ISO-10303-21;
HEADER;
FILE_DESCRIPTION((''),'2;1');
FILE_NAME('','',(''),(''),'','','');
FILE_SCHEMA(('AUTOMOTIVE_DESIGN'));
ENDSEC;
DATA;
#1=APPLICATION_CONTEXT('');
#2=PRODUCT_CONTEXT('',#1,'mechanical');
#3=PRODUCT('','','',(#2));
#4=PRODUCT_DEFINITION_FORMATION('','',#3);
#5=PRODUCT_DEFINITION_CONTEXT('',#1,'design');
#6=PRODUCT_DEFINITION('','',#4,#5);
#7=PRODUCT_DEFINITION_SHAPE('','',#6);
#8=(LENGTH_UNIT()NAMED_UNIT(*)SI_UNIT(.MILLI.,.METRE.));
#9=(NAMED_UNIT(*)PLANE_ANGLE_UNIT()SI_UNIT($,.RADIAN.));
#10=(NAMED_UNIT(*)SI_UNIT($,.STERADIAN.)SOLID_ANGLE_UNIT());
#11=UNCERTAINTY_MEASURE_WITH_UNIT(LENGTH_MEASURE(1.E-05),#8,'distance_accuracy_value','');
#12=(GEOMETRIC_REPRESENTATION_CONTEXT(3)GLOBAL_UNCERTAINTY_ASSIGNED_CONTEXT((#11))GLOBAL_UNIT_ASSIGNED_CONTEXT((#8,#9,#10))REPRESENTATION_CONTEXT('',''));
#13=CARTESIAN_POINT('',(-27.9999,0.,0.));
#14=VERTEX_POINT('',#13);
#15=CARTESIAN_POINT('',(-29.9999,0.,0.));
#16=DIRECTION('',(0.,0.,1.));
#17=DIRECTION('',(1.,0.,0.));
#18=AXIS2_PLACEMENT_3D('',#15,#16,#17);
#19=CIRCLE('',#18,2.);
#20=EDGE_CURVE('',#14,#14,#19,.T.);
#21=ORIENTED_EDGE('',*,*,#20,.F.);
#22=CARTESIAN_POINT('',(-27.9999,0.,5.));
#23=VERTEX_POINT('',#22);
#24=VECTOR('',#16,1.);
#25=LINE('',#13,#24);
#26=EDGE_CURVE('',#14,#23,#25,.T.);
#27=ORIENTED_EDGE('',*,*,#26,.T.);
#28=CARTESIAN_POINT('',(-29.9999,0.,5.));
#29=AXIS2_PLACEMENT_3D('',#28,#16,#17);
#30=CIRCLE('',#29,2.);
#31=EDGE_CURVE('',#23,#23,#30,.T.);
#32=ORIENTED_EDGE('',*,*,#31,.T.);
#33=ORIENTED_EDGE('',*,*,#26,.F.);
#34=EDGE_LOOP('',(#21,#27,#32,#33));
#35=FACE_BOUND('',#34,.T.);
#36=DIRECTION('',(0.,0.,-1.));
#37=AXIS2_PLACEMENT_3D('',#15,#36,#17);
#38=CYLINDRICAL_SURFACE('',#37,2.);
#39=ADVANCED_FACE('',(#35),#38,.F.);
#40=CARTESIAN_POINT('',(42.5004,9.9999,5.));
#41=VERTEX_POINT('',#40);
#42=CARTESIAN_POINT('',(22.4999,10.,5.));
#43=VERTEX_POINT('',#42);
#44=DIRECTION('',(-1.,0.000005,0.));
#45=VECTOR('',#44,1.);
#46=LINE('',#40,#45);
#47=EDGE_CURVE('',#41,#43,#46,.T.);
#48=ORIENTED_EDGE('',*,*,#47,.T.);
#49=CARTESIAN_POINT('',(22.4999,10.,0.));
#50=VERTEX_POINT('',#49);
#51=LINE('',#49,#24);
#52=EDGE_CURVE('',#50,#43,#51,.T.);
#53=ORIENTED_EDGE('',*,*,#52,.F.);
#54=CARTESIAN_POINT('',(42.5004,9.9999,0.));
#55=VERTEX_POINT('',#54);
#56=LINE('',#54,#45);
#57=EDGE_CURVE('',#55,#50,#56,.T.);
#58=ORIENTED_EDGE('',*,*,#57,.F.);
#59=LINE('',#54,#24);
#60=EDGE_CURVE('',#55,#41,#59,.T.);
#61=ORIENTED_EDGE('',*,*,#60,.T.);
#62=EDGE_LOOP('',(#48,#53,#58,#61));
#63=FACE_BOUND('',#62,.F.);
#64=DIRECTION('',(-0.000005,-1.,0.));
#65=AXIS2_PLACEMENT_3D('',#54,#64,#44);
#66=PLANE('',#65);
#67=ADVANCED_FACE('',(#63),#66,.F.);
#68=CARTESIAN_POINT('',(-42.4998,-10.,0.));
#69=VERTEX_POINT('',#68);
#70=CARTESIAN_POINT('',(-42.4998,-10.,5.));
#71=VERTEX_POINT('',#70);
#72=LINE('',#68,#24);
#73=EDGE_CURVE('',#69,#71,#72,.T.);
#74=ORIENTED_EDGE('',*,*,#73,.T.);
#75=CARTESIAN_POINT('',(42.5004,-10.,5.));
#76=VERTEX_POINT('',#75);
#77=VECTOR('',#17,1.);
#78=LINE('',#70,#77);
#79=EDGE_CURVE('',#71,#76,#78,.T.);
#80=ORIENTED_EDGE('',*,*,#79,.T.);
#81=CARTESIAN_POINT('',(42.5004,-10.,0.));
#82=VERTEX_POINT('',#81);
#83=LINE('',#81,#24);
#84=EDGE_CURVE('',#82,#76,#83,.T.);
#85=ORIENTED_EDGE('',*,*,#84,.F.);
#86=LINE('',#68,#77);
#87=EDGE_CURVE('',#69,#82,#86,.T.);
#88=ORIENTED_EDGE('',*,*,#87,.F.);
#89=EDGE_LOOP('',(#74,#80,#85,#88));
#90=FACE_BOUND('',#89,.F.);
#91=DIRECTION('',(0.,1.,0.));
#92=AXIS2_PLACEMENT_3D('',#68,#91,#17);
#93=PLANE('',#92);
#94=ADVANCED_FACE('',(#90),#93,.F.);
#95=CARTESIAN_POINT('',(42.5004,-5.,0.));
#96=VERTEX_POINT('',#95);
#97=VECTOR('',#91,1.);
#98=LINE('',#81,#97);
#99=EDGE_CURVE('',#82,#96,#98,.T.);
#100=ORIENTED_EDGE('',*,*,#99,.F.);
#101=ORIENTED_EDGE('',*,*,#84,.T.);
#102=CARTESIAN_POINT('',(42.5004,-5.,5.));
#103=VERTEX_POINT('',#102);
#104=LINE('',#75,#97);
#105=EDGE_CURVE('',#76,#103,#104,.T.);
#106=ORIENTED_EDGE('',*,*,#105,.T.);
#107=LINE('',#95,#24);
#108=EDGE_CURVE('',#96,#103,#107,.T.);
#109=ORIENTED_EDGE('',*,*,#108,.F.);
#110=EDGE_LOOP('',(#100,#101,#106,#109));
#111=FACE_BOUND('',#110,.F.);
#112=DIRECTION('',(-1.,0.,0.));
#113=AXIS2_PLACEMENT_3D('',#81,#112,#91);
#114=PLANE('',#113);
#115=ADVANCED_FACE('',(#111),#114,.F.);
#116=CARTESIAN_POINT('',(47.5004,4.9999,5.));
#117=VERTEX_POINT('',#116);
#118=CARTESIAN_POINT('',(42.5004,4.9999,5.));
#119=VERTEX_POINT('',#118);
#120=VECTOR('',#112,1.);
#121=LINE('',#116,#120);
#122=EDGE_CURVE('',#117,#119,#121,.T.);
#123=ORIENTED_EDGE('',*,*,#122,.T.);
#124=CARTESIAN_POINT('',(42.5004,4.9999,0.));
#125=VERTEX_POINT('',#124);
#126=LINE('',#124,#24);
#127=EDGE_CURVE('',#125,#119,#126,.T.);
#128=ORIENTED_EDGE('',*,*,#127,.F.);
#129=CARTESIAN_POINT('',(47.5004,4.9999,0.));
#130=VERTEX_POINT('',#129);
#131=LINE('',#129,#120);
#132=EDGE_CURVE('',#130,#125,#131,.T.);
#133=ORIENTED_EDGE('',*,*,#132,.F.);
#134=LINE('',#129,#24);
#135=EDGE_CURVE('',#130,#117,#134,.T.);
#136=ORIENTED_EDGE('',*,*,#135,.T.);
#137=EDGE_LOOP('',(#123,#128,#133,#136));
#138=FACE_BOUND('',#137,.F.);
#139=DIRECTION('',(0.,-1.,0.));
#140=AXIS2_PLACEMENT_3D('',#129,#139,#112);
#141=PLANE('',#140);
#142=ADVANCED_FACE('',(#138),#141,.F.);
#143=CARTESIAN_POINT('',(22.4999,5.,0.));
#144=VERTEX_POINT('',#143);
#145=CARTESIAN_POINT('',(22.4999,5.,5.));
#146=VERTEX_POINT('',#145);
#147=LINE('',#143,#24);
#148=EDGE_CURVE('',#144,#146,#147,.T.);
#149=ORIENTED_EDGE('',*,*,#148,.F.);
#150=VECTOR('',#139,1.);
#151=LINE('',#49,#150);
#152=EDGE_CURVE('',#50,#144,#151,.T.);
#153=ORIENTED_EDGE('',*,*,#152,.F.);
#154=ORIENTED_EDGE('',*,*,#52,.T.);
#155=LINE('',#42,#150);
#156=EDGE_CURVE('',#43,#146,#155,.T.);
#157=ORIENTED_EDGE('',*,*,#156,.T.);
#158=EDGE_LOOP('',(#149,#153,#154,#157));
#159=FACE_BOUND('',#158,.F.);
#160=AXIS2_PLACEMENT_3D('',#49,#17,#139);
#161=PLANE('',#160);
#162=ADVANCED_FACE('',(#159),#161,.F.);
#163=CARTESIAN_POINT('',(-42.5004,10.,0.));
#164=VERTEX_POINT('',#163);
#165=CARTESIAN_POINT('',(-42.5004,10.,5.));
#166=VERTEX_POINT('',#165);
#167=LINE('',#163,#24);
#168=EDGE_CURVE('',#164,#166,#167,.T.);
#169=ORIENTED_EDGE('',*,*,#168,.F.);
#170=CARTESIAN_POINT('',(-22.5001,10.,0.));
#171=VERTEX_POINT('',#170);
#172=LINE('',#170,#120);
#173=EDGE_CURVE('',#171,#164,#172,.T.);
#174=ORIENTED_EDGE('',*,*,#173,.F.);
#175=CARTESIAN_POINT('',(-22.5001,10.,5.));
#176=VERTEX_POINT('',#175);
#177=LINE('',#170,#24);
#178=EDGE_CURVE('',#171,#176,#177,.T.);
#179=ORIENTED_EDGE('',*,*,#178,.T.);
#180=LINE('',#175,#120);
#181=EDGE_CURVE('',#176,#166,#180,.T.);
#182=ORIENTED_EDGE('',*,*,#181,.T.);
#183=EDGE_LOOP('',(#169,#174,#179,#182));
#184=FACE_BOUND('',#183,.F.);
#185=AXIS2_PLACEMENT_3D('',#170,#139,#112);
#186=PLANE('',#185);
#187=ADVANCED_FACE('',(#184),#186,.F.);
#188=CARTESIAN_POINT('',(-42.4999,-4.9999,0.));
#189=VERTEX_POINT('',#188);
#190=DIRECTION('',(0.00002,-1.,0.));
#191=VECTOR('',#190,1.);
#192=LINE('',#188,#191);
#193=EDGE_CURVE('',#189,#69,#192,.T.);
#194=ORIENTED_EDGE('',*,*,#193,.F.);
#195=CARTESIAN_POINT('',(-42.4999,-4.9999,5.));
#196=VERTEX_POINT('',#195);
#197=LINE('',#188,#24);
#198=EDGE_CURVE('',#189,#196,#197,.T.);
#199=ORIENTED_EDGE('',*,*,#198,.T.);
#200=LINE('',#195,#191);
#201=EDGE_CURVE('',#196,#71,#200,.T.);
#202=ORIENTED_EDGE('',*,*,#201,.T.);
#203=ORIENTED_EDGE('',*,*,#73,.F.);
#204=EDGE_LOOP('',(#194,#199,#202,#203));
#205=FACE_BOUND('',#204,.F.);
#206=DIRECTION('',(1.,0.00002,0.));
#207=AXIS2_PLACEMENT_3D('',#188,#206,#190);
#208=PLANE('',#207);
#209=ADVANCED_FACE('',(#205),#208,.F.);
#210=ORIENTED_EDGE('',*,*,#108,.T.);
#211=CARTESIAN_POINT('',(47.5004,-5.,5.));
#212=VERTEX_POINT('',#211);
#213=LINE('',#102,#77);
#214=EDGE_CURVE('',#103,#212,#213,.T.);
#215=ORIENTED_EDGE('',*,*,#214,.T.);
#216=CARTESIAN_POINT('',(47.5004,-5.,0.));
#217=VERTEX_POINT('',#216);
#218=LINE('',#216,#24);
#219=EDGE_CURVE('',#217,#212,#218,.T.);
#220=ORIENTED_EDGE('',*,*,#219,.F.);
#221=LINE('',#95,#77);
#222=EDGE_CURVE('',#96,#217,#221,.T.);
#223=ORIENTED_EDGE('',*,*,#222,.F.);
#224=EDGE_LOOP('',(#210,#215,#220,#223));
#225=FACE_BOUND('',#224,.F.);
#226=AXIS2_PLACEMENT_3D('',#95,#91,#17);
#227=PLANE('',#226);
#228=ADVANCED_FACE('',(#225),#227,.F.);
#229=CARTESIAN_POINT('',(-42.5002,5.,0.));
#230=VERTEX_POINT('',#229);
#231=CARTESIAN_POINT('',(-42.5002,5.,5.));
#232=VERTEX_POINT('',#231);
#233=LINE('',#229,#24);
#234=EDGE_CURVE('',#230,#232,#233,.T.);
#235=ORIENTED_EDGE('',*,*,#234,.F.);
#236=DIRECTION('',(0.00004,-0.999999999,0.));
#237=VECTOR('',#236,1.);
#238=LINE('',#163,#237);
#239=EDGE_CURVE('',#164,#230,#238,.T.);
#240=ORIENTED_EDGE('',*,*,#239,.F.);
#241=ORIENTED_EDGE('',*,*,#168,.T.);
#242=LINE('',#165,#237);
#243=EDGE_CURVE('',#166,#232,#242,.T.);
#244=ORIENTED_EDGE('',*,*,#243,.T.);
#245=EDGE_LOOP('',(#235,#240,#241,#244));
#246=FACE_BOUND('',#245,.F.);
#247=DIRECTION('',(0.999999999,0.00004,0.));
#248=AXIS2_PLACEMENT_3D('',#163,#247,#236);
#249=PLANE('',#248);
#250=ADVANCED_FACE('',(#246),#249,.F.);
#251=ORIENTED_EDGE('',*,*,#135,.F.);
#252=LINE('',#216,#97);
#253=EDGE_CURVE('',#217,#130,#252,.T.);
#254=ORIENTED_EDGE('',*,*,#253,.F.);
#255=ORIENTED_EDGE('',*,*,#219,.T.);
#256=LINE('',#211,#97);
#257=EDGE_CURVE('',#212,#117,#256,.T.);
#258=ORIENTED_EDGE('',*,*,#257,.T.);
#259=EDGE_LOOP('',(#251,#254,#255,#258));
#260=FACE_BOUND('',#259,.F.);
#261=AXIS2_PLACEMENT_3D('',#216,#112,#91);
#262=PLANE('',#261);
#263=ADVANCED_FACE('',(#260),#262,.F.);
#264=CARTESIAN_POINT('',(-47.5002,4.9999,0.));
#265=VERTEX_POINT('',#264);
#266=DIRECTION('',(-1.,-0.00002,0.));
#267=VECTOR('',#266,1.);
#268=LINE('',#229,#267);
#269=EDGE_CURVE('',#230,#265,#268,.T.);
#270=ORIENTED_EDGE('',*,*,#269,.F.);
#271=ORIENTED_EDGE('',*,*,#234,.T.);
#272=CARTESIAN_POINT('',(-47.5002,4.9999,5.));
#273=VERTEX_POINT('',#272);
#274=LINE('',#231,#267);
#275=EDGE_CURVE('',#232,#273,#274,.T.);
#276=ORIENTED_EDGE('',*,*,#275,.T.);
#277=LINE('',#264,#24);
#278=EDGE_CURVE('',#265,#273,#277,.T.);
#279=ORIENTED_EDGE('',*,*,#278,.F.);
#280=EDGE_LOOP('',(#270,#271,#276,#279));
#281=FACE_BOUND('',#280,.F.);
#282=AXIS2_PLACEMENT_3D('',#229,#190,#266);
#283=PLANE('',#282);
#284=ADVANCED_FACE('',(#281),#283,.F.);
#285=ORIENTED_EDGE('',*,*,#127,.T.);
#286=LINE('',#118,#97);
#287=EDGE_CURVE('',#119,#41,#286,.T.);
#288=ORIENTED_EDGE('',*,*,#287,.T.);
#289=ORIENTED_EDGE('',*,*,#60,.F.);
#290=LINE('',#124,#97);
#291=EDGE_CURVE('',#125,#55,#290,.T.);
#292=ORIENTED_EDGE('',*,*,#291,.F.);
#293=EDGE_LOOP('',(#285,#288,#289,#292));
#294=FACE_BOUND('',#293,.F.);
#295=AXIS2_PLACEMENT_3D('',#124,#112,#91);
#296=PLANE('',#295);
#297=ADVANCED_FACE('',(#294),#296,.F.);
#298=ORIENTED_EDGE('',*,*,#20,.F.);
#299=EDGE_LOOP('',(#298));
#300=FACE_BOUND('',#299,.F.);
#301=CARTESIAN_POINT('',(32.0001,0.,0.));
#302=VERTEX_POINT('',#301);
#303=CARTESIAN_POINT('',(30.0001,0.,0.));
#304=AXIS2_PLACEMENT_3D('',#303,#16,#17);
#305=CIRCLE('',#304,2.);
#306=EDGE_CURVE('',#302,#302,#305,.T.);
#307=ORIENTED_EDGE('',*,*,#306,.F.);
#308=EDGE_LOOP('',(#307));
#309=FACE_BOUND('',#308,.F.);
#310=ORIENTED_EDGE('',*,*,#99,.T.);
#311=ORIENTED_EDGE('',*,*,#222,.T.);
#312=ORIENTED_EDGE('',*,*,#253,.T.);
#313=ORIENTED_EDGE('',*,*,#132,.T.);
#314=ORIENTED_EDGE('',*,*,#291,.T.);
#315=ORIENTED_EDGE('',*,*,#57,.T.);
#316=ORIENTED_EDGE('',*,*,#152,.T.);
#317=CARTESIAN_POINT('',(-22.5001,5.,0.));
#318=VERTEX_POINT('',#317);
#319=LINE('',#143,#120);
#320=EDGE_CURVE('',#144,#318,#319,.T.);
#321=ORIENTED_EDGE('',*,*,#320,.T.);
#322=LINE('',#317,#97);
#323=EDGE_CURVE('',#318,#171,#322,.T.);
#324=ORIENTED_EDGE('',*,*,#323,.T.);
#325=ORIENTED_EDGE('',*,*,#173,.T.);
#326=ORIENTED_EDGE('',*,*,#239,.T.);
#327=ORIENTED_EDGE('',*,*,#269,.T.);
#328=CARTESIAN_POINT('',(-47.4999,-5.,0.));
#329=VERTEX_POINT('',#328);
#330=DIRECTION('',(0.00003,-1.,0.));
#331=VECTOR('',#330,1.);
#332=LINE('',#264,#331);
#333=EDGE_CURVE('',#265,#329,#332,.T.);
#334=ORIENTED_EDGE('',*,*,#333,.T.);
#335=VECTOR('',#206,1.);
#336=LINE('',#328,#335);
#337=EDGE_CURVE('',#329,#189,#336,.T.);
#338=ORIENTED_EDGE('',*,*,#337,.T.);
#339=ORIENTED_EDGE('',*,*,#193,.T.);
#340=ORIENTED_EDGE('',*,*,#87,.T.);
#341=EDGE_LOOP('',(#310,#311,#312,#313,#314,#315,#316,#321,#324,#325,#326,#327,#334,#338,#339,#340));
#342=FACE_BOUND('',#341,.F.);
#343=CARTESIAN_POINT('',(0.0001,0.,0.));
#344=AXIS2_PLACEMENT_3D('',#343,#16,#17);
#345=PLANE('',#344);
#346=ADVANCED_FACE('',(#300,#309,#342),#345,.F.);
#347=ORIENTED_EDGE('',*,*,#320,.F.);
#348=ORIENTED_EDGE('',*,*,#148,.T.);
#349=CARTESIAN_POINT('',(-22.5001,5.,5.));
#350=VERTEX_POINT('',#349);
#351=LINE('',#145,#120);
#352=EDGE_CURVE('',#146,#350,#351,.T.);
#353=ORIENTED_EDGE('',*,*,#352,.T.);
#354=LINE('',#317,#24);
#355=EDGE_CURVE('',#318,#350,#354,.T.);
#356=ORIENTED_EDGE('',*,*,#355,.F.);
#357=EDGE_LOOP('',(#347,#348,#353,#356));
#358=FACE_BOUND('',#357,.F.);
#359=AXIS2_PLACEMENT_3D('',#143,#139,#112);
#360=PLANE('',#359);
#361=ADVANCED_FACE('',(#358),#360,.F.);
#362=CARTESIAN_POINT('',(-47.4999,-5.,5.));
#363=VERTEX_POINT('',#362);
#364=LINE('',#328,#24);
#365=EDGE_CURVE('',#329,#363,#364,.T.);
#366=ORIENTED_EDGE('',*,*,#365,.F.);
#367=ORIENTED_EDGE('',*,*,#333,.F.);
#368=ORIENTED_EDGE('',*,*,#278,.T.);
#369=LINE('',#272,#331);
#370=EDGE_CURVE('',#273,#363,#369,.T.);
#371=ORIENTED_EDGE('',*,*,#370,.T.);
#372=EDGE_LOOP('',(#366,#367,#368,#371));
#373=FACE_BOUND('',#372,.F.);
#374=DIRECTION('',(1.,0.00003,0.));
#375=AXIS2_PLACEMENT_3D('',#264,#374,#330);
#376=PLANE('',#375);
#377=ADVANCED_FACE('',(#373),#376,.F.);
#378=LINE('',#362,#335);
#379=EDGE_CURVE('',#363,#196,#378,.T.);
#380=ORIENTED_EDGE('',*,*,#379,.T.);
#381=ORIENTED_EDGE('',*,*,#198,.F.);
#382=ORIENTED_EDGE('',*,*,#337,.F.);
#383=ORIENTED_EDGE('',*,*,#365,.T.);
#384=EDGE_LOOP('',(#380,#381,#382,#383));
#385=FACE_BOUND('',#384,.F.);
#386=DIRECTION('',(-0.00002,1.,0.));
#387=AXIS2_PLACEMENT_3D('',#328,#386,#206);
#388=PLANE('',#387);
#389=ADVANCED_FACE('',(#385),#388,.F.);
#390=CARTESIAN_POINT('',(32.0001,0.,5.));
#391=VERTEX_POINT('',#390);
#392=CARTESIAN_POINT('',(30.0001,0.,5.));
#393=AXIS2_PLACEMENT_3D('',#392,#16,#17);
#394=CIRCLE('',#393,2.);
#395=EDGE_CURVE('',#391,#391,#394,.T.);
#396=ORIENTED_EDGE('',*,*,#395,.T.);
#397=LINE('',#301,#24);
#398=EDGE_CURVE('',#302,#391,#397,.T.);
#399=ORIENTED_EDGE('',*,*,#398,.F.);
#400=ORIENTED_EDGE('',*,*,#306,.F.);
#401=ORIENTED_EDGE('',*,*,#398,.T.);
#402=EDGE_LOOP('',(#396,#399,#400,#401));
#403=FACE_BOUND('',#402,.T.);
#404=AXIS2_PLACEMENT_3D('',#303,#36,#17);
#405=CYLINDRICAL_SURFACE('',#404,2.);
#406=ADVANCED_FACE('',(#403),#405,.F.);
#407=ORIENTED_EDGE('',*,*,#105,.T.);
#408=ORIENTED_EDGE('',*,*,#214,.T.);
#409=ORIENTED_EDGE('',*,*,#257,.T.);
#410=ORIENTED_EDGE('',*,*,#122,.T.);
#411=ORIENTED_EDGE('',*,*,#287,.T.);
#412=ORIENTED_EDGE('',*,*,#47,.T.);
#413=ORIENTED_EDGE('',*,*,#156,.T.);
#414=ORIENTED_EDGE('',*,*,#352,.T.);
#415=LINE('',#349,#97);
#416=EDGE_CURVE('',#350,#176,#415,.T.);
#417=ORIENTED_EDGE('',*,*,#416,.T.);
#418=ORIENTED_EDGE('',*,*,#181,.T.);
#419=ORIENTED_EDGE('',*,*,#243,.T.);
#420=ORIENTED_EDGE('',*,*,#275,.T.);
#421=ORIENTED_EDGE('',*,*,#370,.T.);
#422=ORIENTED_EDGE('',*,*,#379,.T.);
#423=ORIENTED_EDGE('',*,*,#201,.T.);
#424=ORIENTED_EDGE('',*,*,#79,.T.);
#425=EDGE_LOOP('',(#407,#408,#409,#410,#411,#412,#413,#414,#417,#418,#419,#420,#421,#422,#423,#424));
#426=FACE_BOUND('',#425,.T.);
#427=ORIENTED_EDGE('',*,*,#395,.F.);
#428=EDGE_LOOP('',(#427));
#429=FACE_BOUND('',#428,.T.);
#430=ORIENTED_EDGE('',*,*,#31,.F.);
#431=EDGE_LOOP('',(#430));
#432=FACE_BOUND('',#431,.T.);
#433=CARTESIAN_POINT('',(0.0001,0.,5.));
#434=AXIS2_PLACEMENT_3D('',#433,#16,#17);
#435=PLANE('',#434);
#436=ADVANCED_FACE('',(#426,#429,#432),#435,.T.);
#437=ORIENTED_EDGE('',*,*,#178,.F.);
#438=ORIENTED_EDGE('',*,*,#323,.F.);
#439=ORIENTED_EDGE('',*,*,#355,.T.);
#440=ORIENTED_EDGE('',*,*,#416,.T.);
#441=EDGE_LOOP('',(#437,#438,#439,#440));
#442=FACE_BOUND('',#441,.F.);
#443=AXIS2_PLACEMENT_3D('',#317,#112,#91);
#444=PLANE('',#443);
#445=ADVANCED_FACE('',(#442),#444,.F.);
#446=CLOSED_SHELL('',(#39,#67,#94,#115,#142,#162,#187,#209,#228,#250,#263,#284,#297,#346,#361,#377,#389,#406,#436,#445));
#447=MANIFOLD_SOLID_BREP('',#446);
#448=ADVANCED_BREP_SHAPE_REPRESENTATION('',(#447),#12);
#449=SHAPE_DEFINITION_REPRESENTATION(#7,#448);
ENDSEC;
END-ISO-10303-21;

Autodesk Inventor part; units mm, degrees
ref_plane "YZ Plane" through (0, 0, 0) normal (1, 0, 0) x (0, 1, 0)
ref_plane "XZ Plane" through (0, 0, 0) normal (0, 1, 0) x (-1, 0, 0)
ref_plane "XY Plane" through (0, 0, 0) normal (0, 0, 1) x (1, 0, 0)
sketch "Sketch1" plane through (0.0001, 0, 0) normal (0, 0, 1) x (1, 0, 0)
  line L0 (47.5003, -5) -> (47.5003, 4.9999)
  line L1 (47.5003, 4.9999) -> (42.5003, 4.9999)
  line L2 (42.5003, 4.9999) -> (42.5003, 9.9999)
  line L3 (42.5003, 9.9999) -> (22.4998, 10)
  line L4 (22.4998, 10) -> (22.4998, 5)
  line L5 (22.4998, 5) -> (-22.5002, 5)
  line L6 (-22.5002, 5) -> (-22.5002, 10)
  line L7 (-22.5002, 10) -> (-42.5005, 10)
  line L8 (-42.5005, 10) -> (-42.5003, 5)
  line L9 (-42.5003, 5) -> (-47.5003, 4.9999)
  line L10 (-47.5003, 4.9999) -> (-47.5, -5)
  line L11 (-47.5, -5) -> (-42.5, -4.9999)
  line L12 (-42.5, -4.9999) -> (-42.4999, -10)
  line L13 (-42.4999, -10) -> (42.5003, -10)
  line L14 (42.5003, -10) -> (42.5003, -5)
  line L15 (42.5003, -5) -> (47.5003, -5)
  circle A0 centre (-30, 0) radius 2
  circle A1 centre (30, 0) radius 2
  point P0 (-0.0005, 0)
extrude "AP" add sketch "Sketch1" along normal blind 5
properties part number "AP"
